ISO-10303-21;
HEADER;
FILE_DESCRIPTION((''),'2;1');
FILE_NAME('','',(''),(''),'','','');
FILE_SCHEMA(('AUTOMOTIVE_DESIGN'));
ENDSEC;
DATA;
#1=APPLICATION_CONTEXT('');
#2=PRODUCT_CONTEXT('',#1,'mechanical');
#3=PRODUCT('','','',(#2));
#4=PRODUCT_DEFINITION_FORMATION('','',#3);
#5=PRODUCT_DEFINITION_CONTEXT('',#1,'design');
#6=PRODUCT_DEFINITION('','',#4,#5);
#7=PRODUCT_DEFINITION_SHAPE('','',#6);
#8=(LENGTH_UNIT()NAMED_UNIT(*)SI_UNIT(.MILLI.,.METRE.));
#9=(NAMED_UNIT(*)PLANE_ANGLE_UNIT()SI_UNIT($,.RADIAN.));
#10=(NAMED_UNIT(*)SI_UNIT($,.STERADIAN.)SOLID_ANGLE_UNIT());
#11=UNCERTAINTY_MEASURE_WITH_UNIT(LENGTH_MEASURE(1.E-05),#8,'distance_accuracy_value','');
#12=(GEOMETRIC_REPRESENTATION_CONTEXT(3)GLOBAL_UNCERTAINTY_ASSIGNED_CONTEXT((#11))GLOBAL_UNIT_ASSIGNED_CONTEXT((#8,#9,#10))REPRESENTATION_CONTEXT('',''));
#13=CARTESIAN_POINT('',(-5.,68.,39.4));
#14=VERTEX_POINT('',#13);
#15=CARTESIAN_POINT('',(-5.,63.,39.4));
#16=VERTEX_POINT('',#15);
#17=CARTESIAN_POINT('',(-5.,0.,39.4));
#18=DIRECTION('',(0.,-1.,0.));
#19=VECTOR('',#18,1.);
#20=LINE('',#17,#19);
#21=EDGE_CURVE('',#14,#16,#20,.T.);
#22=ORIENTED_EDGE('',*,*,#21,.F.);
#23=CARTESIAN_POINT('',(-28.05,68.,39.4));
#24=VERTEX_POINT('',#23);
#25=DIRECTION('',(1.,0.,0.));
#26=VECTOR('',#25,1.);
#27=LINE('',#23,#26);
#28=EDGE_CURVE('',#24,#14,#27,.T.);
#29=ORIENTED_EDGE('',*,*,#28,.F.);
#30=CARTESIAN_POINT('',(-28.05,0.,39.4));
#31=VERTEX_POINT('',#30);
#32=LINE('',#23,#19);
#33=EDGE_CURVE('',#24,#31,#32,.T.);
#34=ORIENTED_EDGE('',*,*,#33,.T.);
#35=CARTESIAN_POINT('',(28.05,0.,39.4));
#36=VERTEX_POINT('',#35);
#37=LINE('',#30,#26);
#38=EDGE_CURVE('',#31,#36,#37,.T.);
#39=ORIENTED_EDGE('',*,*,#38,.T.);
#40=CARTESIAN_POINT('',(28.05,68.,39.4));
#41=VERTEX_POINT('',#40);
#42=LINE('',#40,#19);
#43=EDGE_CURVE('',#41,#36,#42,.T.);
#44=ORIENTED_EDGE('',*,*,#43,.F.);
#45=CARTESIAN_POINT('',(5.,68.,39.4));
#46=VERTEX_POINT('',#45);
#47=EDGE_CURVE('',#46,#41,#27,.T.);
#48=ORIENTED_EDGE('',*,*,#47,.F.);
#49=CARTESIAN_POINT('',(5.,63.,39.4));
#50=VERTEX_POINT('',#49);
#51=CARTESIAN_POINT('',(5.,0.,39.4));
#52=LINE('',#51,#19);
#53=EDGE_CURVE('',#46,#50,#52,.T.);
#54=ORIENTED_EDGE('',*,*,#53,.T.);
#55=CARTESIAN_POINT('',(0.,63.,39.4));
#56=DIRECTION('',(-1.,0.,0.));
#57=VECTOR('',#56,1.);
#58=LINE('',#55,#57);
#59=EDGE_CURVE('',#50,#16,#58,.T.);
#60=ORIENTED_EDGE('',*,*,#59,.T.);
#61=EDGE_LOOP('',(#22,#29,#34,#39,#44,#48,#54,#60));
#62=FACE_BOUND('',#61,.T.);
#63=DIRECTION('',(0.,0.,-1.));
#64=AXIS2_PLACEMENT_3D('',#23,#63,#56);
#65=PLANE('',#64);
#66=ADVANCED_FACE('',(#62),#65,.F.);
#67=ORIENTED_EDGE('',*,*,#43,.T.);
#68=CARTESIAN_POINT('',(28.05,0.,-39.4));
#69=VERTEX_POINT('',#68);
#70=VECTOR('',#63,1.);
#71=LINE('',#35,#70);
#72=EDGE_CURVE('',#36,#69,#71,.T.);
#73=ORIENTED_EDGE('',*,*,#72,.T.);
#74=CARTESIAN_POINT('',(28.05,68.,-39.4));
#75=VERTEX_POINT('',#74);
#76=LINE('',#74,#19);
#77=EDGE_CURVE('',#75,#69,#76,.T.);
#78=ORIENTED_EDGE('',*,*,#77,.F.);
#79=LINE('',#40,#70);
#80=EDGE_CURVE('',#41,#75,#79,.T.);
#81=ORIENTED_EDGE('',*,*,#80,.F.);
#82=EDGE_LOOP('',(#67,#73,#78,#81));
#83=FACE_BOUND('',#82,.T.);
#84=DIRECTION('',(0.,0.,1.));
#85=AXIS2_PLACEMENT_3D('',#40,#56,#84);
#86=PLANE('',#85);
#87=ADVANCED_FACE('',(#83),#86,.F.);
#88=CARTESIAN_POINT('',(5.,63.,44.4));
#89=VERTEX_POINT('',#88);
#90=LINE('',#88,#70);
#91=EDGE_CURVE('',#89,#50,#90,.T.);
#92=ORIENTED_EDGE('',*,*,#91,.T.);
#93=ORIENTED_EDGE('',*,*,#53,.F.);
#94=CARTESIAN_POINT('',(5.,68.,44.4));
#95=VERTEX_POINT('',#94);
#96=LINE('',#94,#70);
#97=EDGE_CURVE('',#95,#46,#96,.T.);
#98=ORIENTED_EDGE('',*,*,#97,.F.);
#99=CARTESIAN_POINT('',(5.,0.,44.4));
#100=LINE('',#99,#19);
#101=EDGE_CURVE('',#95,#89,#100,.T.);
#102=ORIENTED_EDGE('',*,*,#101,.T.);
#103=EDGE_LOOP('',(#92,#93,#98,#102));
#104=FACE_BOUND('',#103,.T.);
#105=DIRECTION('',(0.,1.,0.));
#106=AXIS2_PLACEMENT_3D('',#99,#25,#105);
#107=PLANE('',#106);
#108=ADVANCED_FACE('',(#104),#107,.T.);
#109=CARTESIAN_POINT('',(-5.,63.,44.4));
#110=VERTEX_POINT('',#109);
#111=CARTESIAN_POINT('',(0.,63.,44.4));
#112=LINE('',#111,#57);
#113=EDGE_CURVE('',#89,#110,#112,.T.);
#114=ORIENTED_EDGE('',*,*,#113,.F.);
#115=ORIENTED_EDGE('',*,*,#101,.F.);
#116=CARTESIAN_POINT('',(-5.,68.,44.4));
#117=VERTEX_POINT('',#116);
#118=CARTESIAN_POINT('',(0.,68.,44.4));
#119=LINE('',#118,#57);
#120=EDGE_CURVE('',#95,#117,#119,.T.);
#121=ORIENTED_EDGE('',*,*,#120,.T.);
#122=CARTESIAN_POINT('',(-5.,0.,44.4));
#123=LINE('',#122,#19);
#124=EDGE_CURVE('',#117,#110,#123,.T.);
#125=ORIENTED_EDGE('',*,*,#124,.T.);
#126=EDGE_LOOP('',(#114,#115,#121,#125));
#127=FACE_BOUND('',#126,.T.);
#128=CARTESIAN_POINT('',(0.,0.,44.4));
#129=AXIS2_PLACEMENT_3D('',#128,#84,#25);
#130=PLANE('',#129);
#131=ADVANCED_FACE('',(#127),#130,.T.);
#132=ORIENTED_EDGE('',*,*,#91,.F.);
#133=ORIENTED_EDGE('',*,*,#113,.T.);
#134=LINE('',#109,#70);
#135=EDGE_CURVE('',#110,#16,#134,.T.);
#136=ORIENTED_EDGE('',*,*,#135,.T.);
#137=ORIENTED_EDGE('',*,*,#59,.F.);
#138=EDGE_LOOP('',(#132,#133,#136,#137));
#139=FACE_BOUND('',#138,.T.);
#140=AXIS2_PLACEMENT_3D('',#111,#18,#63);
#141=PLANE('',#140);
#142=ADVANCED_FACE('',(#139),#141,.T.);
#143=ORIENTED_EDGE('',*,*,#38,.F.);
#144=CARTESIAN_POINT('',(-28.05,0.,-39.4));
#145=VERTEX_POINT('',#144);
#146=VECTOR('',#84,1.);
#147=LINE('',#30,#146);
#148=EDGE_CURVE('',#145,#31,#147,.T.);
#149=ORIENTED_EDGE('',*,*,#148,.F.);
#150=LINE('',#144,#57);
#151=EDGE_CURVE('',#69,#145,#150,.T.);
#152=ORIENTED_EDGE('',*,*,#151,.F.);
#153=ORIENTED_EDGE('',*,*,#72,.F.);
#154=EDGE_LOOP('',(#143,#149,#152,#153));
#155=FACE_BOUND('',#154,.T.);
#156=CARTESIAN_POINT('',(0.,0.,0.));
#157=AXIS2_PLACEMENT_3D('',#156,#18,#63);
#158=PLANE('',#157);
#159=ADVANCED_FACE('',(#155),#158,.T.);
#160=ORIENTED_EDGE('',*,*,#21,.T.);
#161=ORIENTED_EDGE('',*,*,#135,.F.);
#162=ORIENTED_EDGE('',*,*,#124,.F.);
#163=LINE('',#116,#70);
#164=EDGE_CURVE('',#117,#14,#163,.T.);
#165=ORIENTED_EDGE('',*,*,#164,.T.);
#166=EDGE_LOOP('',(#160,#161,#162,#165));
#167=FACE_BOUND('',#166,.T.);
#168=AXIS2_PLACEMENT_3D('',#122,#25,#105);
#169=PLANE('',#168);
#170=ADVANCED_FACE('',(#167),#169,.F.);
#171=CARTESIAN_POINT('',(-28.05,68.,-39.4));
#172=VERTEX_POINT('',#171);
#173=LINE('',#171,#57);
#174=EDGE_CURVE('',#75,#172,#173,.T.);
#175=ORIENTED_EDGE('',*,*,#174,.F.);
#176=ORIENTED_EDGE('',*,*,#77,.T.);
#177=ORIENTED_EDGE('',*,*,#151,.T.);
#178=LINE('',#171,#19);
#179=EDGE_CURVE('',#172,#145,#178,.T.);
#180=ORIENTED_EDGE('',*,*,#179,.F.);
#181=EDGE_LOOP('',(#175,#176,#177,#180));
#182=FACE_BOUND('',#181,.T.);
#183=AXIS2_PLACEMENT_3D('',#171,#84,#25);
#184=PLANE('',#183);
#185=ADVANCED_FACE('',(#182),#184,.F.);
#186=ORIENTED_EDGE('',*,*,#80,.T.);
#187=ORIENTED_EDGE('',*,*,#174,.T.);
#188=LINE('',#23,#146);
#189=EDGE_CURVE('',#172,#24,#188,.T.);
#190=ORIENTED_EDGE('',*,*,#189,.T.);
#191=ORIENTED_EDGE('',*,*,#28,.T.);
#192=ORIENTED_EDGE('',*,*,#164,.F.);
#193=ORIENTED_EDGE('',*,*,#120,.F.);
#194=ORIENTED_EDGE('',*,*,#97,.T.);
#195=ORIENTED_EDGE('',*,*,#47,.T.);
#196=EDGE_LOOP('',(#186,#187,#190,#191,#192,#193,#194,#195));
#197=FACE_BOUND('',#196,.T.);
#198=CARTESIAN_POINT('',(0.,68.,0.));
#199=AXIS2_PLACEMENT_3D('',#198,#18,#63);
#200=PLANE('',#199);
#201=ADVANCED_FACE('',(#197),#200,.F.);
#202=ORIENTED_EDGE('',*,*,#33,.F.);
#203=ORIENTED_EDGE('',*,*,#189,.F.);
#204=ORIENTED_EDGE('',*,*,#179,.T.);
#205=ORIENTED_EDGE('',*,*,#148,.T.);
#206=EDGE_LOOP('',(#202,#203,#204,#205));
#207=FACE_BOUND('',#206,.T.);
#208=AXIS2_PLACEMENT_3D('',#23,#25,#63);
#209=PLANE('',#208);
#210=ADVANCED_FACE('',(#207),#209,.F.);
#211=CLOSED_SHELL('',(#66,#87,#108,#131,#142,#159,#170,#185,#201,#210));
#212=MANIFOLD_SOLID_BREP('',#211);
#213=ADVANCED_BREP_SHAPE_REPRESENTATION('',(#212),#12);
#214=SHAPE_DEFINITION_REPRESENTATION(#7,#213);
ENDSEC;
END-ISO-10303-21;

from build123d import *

# Parameters (mm, degrees)
SKETCH_1_W      = 56.1
SKETCH_1_H      = 78.8
EXTRUDE_1_DEPTH = 68
SKETCH_2_W      = 5
SKETCH_2_H      = 5
EXTRUDE_2_DEPTH = 5


with BuildPart() as part:
    # 草图1 → 凸台-拉伸1 (new body)
    with BuildSketch(Plane(origin=(0, 0, 0), x_dir=(1, 0, 0), z_dir=(0, 1, 0))):
        Rectangle(SKETCH_1_W, SKETCH_1_H)
    extrude(amount=EXTRUDE_1_DEPTH)

    # 草图2 → 凸台-拉伸2 (add)
    with BuildSketch(Plane.XY.offset(39.4)):
        with Locations((-2.5, 65.5)):
            Rectangle(SKETCH_2_W, SKETCH_2_H)
        with Locations((2.5, 65.5)):
            Rectangle(SKETCH_2_W, SKETCH_2_H)
    extrude(amount=EXTRUDE_2_DEPTH)


solid = part.part
